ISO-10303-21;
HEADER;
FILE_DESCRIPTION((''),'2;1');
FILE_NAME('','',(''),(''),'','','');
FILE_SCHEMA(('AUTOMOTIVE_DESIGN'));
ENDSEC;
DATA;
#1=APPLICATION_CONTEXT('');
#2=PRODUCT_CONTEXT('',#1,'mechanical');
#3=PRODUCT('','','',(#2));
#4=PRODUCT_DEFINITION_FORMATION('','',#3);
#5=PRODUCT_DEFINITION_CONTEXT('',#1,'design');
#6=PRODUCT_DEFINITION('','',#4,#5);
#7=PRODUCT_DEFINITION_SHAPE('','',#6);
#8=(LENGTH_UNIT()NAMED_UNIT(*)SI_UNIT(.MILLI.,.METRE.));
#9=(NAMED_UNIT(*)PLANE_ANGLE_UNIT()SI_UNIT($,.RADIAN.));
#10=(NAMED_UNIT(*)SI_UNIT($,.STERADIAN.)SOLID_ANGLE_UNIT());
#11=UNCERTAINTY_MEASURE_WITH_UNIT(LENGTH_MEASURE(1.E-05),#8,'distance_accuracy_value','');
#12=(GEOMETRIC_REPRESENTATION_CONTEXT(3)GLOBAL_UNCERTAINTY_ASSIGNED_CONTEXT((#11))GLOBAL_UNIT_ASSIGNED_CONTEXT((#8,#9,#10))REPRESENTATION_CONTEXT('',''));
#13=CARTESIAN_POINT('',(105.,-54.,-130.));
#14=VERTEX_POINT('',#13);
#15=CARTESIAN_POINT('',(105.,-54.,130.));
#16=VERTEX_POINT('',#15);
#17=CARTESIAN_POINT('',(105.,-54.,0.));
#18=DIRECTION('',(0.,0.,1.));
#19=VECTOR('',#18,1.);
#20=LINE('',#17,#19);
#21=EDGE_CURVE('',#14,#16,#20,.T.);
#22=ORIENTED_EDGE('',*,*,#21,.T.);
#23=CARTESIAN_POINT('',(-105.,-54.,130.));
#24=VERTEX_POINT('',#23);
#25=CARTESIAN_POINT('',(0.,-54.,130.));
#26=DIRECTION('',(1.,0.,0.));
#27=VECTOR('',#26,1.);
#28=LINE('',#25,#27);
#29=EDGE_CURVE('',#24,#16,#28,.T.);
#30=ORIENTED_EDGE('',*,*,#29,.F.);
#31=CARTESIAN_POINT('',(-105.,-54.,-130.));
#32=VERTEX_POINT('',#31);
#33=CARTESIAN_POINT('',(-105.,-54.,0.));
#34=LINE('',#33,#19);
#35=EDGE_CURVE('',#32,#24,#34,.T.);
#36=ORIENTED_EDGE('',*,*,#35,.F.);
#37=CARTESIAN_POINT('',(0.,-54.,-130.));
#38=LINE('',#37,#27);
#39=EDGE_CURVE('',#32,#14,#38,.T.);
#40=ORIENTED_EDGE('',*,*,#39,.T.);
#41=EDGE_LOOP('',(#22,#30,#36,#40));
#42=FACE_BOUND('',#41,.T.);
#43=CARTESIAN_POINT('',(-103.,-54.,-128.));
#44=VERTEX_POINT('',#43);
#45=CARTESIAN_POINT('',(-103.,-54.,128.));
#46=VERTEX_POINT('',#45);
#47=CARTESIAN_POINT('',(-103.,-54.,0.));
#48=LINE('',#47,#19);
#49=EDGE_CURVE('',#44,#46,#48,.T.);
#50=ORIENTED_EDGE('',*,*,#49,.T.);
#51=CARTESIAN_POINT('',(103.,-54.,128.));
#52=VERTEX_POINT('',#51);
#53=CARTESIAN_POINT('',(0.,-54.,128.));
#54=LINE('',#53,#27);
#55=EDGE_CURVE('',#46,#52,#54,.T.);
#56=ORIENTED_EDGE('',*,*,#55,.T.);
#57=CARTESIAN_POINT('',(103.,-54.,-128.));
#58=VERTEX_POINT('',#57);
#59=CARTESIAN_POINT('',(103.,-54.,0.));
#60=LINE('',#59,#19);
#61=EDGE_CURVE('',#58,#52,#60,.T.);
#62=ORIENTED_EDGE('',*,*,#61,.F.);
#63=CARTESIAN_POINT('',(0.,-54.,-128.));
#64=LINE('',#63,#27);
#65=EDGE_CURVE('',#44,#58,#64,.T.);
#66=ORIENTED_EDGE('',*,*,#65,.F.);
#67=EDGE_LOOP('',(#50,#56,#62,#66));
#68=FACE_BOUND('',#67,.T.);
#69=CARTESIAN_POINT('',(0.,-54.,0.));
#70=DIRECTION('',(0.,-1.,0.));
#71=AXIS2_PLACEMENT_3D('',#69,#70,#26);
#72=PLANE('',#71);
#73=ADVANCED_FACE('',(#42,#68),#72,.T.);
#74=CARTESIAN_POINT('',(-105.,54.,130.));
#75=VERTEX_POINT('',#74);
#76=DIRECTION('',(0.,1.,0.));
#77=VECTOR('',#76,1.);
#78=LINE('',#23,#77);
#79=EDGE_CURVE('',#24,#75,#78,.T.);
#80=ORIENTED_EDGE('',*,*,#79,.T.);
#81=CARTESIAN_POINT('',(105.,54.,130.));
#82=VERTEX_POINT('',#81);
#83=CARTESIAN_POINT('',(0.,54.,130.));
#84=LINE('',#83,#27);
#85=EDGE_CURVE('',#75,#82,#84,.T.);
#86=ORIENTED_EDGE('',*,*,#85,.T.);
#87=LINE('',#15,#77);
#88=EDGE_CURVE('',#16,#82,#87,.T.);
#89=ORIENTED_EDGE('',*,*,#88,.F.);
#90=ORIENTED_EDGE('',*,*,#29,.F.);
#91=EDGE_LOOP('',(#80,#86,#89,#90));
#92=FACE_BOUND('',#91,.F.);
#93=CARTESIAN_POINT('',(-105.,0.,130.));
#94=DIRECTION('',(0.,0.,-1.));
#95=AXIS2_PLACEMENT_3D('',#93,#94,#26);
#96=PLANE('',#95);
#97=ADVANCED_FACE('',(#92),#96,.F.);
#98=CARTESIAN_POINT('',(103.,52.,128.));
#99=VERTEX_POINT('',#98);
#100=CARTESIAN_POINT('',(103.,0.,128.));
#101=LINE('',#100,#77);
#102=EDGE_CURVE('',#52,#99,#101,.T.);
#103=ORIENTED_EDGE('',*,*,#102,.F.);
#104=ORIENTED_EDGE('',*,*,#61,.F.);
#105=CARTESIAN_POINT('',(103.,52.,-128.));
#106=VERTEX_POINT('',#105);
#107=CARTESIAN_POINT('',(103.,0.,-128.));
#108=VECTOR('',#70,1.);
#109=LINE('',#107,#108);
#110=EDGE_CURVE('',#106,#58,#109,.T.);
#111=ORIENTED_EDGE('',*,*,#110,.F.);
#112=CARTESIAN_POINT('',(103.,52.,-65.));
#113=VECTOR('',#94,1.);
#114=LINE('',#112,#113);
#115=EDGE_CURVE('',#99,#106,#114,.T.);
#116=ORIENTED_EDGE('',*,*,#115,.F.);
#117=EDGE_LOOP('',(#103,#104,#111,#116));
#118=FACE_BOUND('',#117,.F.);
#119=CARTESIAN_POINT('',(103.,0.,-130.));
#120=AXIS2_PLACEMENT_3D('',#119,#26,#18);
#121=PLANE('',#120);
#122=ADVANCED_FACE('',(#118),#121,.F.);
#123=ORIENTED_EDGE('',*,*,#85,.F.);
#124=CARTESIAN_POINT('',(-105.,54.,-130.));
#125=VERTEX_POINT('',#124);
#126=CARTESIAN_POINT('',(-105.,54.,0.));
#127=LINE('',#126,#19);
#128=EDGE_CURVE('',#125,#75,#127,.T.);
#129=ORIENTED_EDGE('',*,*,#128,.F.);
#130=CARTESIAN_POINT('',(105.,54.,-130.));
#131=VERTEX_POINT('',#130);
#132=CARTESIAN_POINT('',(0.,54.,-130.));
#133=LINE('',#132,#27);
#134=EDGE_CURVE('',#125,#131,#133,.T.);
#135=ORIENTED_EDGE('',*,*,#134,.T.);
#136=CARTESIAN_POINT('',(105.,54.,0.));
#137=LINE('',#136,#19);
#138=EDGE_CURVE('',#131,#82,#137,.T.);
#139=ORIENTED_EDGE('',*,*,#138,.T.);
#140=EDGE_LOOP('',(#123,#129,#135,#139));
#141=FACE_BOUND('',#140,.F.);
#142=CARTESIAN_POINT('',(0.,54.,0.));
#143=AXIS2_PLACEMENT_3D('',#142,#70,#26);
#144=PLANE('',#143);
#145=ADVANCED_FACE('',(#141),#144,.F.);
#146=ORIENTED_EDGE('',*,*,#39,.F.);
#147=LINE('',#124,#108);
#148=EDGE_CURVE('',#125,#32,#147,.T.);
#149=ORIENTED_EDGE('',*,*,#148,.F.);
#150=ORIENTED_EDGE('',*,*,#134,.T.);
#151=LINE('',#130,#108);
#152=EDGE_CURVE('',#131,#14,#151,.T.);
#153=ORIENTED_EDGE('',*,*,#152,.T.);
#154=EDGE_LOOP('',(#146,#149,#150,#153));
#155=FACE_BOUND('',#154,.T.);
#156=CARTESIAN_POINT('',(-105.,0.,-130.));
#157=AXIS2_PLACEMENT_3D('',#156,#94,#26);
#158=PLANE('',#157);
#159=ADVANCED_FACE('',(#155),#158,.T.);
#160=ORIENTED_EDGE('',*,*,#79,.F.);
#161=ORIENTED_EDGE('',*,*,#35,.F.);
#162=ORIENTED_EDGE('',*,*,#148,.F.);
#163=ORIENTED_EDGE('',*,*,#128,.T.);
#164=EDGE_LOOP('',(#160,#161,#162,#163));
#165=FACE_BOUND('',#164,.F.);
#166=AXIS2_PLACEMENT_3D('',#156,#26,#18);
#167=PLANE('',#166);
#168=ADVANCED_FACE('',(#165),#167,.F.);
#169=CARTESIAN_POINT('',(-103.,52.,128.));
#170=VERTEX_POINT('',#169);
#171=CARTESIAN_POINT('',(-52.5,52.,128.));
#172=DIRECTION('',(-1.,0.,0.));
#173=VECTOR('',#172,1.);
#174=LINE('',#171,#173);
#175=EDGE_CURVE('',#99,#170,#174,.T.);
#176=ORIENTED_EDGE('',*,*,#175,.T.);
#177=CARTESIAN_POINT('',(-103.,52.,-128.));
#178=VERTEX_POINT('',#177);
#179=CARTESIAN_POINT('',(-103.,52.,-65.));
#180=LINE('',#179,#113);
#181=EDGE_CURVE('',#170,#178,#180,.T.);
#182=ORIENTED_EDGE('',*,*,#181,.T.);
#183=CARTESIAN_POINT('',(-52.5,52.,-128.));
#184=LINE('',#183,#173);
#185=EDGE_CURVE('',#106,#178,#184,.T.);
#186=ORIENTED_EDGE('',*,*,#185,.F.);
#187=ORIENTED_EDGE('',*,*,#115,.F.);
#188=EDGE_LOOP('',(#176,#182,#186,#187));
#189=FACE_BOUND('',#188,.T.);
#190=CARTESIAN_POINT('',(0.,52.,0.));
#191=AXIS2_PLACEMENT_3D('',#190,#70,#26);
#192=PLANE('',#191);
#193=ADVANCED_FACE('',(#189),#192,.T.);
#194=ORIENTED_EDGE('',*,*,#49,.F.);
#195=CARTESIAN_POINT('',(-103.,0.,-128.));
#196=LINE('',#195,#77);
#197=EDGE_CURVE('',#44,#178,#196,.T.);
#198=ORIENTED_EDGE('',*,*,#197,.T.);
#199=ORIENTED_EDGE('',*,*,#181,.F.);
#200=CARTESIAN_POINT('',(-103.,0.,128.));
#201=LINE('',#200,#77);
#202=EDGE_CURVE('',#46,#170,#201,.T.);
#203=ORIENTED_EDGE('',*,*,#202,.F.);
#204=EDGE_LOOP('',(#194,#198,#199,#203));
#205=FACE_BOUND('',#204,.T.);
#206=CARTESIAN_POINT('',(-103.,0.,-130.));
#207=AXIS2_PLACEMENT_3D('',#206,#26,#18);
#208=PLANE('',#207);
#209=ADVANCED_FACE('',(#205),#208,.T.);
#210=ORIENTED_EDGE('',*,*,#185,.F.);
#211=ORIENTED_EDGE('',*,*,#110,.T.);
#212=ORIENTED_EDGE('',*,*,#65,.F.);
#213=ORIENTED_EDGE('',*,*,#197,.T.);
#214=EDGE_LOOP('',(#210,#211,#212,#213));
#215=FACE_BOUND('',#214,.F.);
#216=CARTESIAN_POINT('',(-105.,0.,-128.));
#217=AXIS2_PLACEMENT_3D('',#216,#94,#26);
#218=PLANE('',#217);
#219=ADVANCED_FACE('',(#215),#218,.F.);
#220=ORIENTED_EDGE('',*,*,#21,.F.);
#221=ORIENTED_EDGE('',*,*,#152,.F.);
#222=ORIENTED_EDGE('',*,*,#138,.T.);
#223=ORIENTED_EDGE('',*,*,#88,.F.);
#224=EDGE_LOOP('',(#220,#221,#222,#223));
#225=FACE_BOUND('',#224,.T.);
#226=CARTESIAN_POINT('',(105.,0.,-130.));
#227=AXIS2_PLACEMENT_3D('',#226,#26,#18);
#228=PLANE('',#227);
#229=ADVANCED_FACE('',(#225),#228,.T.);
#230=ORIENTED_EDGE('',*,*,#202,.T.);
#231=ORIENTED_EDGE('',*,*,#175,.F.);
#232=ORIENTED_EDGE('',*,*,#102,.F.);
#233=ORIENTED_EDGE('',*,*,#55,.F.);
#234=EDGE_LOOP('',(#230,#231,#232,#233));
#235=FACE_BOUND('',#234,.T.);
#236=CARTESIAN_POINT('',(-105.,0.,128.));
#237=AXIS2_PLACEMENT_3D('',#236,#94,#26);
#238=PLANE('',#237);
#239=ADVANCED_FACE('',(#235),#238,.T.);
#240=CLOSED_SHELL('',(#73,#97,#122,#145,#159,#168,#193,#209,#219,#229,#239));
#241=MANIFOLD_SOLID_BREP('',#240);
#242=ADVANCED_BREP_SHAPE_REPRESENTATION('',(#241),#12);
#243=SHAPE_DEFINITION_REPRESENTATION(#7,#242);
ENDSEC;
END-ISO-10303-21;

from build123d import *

# Parameters (mm, degrees)
F0_W     = 210
F0_H     = 260
F1_DEPTH = 54
F2_T     = -2


with BuildPart() as f1:
    # F0 (on Front) → F1 (new body, symmetric)
    with BuildSketch(Plane.XZ):
        Rectangle(F0_W, F0_H)
    extrude(amount=F1_DEPTH, both=True)

    # F2
    f2_openings = [f1.faces().sort_by_distance(p)[0] for p in [
        (0, -54, 0),
    ]]
    offset(amount=F2_T, openings=f2_openings)


solid = f1.part
